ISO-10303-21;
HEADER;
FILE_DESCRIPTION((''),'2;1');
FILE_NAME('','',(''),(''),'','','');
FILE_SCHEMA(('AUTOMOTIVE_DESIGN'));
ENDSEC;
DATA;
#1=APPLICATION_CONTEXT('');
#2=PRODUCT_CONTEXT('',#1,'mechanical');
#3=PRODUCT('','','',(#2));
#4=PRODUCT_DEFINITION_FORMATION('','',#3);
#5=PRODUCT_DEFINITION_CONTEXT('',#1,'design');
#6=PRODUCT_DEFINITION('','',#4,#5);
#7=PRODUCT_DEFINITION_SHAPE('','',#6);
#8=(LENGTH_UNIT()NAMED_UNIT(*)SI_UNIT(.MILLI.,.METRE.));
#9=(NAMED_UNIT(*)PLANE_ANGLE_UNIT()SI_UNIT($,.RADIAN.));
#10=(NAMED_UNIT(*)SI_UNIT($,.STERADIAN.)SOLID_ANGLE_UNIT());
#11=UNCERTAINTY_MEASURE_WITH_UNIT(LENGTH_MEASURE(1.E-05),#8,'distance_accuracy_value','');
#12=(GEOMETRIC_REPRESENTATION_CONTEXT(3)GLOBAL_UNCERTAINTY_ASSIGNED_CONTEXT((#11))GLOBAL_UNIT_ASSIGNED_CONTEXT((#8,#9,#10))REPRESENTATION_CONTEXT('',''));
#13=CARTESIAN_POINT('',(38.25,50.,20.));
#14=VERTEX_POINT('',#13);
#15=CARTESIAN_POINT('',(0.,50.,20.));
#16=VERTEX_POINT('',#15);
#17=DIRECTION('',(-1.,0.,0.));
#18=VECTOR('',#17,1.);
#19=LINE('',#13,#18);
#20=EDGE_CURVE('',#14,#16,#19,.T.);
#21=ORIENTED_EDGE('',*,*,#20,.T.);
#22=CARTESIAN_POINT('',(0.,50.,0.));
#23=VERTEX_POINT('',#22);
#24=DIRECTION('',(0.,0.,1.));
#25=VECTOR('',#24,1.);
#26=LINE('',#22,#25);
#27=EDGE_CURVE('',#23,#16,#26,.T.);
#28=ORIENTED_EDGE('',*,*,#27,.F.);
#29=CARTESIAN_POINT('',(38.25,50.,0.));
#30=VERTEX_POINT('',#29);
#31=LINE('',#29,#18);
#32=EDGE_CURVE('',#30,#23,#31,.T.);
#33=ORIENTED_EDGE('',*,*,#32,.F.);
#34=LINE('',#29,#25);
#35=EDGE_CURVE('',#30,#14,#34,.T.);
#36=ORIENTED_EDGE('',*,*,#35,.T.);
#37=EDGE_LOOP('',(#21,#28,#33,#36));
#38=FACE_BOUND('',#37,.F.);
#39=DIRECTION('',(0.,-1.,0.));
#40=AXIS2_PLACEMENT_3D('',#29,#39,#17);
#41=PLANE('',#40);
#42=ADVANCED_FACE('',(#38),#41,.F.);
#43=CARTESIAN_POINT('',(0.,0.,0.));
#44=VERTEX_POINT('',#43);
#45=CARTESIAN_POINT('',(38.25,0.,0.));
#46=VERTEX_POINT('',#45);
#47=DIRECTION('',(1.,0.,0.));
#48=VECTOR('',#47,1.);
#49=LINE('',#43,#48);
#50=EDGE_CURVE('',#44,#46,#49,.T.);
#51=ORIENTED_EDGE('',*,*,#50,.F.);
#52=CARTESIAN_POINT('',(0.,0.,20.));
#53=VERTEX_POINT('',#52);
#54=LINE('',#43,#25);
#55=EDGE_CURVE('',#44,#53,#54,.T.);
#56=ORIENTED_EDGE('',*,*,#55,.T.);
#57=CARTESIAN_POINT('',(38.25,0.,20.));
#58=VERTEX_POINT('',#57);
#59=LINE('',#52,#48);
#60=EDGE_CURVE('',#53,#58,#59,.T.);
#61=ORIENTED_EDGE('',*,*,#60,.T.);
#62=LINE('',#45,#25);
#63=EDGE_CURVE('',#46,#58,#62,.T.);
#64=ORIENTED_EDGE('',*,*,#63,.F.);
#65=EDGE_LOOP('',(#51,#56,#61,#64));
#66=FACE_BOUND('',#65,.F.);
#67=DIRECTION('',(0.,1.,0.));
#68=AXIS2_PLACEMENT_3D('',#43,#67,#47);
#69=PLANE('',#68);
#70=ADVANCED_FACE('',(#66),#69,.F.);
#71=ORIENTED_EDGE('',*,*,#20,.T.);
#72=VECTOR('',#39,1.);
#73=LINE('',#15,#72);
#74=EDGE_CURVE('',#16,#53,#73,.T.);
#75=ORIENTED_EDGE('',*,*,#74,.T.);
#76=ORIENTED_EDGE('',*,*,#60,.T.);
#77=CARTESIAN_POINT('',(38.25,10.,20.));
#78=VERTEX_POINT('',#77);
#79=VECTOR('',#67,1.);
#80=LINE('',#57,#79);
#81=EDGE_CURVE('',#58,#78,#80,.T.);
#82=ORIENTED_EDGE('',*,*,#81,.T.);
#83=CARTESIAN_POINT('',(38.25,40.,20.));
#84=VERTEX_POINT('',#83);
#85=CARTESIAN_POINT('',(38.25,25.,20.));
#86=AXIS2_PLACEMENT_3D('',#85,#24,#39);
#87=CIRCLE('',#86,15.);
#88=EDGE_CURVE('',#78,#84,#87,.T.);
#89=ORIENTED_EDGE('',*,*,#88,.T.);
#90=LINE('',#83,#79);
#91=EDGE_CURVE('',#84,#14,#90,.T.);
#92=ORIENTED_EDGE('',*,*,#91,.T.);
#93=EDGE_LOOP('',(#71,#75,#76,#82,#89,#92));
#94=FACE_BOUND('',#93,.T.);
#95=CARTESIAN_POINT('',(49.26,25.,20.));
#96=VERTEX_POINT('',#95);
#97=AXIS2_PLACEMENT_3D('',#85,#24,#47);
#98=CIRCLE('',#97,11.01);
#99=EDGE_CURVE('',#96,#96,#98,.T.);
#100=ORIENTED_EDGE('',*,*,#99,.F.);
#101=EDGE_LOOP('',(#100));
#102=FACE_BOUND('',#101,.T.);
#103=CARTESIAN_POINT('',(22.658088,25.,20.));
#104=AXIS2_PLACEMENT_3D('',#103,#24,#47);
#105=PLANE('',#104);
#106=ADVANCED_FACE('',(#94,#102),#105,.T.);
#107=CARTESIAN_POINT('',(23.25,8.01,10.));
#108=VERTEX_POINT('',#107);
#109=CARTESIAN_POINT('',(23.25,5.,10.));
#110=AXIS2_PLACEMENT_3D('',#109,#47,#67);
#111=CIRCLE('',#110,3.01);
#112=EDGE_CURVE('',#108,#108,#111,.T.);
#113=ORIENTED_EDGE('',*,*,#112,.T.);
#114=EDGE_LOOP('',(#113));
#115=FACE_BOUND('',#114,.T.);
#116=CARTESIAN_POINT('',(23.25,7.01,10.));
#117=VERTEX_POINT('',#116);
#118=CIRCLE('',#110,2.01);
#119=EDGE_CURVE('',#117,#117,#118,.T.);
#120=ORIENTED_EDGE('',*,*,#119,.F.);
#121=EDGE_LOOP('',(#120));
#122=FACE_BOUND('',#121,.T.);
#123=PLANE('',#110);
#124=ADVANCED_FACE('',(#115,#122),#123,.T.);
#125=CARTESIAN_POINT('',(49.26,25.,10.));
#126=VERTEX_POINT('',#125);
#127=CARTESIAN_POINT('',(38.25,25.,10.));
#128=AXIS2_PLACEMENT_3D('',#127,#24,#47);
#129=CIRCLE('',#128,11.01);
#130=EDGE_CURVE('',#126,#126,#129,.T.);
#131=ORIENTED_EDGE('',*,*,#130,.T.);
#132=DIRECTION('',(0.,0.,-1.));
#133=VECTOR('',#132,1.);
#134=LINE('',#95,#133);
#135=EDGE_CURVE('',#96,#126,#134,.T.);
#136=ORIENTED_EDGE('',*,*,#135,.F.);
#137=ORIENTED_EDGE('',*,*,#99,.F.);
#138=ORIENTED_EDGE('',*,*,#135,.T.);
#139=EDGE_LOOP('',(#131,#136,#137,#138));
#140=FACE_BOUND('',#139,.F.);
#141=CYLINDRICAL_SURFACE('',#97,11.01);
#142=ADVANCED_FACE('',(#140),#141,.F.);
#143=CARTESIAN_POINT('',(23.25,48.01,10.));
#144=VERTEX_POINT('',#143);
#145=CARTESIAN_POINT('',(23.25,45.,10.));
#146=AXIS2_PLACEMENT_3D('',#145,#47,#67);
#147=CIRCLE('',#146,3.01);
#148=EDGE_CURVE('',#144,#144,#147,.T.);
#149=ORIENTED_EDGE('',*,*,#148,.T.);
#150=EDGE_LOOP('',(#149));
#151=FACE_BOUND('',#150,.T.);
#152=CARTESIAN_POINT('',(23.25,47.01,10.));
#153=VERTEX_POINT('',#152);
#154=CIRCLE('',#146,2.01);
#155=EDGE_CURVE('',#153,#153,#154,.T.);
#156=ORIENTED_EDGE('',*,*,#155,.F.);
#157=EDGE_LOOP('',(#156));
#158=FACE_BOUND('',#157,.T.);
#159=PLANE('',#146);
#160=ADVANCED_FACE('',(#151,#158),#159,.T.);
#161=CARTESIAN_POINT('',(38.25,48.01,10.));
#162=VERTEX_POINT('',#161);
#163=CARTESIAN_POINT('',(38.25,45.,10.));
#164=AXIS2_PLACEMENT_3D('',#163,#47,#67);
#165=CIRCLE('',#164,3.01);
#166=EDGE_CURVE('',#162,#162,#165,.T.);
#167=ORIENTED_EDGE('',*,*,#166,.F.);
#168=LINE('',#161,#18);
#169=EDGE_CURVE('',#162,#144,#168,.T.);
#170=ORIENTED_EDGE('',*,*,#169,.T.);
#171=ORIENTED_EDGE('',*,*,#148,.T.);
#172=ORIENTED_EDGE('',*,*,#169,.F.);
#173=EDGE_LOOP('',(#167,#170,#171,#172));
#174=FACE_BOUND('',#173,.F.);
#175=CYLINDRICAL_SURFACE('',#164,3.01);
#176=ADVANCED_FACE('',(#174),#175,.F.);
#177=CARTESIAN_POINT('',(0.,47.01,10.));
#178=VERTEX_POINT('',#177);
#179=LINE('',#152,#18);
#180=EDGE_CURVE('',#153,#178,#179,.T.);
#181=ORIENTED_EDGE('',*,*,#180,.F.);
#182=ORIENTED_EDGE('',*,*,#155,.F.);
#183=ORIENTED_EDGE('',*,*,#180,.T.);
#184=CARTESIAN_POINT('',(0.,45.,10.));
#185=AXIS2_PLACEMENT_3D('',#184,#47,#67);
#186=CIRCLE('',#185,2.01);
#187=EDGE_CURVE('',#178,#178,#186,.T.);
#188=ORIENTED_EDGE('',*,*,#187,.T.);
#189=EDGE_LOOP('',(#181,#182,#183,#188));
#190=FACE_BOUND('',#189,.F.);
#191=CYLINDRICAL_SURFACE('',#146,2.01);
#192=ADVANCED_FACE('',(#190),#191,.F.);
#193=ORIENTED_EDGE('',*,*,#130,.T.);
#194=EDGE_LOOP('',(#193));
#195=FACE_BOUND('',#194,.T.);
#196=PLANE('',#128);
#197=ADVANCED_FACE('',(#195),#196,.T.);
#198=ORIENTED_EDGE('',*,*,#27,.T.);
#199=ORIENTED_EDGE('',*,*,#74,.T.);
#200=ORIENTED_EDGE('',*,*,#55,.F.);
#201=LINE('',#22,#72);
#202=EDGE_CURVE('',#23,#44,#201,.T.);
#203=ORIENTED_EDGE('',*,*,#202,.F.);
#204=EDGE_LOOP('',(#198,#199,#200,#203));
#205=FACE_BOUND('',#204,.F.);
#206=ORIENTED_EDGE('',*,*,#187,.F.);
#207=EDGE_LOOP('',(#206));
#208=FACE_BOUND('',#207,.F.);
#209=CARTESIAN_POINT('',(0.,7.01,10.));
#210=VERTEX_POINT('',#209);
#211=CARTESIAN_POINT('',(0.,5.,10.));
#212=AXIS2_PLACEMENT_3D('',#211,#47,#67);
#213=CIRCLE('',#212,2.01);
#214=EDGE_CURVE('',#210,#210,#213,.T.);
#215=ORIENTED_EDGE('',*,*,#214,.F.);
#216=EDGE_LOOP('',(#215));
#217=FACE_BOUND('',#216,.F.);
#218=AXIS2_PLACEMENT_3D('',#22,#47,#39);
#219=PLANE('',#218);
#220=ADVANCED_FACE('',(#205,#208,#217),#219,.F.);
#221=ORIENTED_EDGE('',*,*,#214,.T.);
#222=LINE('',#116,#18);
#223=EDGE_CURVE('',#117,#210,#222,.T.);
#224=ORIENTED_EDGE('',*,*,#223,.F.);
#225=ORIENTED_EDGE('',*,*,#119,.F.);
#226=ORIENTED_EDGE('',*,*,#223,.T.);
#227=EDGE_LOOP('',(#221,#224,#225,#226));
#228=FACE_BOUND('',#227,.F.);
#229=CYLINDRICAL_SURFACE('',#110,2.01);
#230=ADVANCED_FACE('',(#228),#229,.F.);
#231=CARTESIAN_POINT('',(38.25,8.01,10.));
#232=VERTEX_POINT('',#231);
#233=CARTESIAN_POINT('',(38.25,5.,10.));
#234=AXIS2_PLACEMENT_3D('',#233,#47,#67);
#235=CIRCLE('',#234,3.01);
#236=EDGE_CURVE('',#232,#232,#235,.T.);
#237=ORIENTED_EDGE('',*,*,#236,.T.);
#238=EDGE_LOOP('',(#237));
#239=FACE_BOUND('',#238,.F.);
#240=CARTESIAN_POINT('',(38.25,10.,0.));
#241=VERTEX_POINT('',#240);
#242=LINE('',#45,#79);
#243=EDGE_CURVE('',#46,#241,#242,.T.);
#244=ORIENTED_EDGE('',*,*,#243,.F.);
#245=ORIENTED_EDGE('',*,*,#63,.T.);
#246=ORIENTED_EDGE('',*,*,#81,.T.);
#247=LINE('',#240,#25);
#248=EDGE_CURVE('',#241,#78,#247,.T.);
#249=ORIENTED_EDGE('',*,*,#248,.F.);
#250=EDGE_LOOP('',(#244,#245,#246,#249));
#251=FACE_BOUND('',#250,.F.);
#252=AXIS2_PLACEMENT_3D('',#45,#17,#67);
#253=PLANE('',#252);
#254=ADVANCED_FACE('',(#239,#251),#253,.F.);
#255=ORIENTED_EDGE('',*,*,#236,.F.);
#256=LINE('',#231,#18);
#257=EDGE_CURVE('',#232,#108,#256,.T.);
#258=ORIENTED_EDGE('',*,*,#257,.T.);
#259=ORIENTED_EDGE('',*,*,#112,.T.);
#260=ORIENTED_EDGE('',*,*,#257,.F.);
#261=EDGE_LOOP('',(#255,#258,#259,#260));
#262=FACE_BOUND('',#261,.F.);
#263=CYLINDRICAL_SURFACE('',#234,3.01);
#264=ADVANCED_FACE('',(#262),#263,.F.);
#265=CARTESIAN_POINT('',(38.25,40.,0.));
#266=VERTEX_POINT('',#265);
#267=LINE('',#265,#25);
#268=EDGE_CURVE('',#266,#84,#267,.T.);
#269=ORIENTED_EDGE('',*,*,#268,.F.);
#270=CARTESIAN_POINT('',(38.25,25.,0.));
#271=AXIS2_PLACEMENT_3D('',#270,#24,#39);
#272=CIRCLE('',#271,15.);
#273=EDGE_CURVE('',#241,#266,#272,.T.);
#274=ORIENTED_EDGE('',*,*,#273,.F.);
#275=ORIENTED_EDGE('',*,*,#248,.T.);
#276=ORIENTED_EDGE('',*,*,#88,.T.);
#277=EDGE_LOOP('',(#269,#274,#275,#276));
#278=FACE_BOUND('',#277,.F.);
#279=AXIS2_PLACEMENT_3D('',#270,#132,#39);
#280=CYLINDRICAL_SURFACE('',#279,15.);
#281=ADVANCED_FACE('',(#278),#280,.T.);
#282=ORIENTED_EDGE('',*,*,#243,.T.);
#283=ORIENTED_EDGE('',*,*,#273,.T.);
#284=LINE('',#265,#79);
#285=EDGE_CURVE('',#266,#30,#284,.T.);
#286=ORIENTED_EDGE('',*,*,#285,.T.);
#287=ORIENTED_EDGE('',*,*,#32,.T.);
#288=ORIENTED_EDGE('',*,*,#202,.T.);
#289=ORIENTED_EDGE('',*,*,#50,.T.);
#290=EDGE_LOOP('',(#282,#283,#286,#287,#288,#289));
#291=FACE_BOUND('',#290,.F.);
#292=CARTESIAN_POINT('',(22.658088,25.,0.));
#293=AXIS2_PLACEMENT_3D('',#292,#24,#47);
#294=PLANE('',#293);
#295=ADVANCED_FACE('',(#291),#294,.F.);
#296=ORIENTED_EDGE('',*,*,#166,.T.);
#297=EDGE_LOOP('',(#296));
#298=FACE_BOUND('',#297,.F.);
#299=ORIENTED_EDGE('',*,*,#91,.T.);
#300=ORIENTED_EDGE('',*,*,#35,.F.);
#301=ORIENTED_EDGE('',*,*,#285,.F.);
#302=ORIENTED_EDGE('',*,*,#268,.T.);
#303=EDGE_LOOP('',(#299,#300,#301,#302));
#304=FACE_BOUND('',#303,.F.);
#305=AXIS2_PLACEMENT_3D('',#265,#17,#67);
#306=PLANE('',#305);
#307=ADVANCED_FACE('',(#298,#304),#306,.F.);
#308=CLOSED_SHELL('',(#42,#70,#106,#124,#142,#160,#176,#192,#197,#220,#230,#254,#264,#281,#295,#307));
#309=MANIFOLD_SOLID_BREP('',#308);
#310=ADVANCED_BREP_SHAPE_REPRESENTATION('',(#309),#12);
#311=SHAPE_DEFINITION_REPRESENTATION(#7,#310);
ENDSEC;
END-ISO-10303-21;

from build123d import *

# Parameters (mm, degrees)
F1_DEPTH  = 20
F2_R      = 11.01
F3_DEPTH  = 10
F4_R      = 3.01
F5_DEPTH  = 15
F6_R      = 3.01
F7_DEPTH  = 15
F8_R      = 2.01
F9_DEPTH  = 23.251
F10_R     = 2.01
F11_DEPTH = 23.251


with BuildPart() as f1:
    # F0 (on Top) → F1 (new body)
    with BuildSketch(Plane.XY):
        with BuildLine():
            Line((0, 50), (0, 0))
            Line((0, 0), (26.933724, 0))
            Line((26.933724, 0), (38.25, 0))
            Line((38.25, 0), (38.25, 10))
            ThreePointArc((38.25, 10), (53.25, 25), (38.25, 40))
            Line((38.25, 40), (38.25, 50))
            Line((38.25, 50), (0, 50))
        make_face()
    extrude(amount=F1_DEPTH)

    # F2 (on face) → F3 (cut)
    with BuildSketch(Plane.XY.offset(20)):
        with Locations((38.25, 25)):
            Circle(F2_R)
    extrude(amount=-F3_DEPTH, mode=Mode.SUBTRACT)

    # F4 (on face) → F5 (cut)
    with BuildSketch(Plane.YZ.offset(38.25)):
        with Locations((45, 10)):
            Circle(F4_R)
    extrude(amount=-F5_DEPTH, mode=Mode.SUBTRACT)

    # F6 (on face) → F7 (cut)
    with BuildSketch(Plane.YZ.offset(38.25)):
        with Locations((5, 10)):
            Circle(F6_R)
    extrude(amount=-F7_DEPTH, mode=Mode.SUBTRACT)

    # F8 (on face) → F9 (cut, through all)
    with BuildSketch(Plane.YZ.offset(23.25)):
        with Locations((5, 10)):
            Circle(F8_R)
    extrude(amount=-F9_DEPTH, mode=Mode.SUBTRACT)

    # F10 (on face) → F11 (cut, through all)
    with BuildSketch(Plane.YZ.offset(23.25)):
        with Locations((45, 10)):
            Circle(F10_R)
    extrude(amount=-F11_DEPTH, mode=Mode.SUBTRACT)


solid = f1.part
